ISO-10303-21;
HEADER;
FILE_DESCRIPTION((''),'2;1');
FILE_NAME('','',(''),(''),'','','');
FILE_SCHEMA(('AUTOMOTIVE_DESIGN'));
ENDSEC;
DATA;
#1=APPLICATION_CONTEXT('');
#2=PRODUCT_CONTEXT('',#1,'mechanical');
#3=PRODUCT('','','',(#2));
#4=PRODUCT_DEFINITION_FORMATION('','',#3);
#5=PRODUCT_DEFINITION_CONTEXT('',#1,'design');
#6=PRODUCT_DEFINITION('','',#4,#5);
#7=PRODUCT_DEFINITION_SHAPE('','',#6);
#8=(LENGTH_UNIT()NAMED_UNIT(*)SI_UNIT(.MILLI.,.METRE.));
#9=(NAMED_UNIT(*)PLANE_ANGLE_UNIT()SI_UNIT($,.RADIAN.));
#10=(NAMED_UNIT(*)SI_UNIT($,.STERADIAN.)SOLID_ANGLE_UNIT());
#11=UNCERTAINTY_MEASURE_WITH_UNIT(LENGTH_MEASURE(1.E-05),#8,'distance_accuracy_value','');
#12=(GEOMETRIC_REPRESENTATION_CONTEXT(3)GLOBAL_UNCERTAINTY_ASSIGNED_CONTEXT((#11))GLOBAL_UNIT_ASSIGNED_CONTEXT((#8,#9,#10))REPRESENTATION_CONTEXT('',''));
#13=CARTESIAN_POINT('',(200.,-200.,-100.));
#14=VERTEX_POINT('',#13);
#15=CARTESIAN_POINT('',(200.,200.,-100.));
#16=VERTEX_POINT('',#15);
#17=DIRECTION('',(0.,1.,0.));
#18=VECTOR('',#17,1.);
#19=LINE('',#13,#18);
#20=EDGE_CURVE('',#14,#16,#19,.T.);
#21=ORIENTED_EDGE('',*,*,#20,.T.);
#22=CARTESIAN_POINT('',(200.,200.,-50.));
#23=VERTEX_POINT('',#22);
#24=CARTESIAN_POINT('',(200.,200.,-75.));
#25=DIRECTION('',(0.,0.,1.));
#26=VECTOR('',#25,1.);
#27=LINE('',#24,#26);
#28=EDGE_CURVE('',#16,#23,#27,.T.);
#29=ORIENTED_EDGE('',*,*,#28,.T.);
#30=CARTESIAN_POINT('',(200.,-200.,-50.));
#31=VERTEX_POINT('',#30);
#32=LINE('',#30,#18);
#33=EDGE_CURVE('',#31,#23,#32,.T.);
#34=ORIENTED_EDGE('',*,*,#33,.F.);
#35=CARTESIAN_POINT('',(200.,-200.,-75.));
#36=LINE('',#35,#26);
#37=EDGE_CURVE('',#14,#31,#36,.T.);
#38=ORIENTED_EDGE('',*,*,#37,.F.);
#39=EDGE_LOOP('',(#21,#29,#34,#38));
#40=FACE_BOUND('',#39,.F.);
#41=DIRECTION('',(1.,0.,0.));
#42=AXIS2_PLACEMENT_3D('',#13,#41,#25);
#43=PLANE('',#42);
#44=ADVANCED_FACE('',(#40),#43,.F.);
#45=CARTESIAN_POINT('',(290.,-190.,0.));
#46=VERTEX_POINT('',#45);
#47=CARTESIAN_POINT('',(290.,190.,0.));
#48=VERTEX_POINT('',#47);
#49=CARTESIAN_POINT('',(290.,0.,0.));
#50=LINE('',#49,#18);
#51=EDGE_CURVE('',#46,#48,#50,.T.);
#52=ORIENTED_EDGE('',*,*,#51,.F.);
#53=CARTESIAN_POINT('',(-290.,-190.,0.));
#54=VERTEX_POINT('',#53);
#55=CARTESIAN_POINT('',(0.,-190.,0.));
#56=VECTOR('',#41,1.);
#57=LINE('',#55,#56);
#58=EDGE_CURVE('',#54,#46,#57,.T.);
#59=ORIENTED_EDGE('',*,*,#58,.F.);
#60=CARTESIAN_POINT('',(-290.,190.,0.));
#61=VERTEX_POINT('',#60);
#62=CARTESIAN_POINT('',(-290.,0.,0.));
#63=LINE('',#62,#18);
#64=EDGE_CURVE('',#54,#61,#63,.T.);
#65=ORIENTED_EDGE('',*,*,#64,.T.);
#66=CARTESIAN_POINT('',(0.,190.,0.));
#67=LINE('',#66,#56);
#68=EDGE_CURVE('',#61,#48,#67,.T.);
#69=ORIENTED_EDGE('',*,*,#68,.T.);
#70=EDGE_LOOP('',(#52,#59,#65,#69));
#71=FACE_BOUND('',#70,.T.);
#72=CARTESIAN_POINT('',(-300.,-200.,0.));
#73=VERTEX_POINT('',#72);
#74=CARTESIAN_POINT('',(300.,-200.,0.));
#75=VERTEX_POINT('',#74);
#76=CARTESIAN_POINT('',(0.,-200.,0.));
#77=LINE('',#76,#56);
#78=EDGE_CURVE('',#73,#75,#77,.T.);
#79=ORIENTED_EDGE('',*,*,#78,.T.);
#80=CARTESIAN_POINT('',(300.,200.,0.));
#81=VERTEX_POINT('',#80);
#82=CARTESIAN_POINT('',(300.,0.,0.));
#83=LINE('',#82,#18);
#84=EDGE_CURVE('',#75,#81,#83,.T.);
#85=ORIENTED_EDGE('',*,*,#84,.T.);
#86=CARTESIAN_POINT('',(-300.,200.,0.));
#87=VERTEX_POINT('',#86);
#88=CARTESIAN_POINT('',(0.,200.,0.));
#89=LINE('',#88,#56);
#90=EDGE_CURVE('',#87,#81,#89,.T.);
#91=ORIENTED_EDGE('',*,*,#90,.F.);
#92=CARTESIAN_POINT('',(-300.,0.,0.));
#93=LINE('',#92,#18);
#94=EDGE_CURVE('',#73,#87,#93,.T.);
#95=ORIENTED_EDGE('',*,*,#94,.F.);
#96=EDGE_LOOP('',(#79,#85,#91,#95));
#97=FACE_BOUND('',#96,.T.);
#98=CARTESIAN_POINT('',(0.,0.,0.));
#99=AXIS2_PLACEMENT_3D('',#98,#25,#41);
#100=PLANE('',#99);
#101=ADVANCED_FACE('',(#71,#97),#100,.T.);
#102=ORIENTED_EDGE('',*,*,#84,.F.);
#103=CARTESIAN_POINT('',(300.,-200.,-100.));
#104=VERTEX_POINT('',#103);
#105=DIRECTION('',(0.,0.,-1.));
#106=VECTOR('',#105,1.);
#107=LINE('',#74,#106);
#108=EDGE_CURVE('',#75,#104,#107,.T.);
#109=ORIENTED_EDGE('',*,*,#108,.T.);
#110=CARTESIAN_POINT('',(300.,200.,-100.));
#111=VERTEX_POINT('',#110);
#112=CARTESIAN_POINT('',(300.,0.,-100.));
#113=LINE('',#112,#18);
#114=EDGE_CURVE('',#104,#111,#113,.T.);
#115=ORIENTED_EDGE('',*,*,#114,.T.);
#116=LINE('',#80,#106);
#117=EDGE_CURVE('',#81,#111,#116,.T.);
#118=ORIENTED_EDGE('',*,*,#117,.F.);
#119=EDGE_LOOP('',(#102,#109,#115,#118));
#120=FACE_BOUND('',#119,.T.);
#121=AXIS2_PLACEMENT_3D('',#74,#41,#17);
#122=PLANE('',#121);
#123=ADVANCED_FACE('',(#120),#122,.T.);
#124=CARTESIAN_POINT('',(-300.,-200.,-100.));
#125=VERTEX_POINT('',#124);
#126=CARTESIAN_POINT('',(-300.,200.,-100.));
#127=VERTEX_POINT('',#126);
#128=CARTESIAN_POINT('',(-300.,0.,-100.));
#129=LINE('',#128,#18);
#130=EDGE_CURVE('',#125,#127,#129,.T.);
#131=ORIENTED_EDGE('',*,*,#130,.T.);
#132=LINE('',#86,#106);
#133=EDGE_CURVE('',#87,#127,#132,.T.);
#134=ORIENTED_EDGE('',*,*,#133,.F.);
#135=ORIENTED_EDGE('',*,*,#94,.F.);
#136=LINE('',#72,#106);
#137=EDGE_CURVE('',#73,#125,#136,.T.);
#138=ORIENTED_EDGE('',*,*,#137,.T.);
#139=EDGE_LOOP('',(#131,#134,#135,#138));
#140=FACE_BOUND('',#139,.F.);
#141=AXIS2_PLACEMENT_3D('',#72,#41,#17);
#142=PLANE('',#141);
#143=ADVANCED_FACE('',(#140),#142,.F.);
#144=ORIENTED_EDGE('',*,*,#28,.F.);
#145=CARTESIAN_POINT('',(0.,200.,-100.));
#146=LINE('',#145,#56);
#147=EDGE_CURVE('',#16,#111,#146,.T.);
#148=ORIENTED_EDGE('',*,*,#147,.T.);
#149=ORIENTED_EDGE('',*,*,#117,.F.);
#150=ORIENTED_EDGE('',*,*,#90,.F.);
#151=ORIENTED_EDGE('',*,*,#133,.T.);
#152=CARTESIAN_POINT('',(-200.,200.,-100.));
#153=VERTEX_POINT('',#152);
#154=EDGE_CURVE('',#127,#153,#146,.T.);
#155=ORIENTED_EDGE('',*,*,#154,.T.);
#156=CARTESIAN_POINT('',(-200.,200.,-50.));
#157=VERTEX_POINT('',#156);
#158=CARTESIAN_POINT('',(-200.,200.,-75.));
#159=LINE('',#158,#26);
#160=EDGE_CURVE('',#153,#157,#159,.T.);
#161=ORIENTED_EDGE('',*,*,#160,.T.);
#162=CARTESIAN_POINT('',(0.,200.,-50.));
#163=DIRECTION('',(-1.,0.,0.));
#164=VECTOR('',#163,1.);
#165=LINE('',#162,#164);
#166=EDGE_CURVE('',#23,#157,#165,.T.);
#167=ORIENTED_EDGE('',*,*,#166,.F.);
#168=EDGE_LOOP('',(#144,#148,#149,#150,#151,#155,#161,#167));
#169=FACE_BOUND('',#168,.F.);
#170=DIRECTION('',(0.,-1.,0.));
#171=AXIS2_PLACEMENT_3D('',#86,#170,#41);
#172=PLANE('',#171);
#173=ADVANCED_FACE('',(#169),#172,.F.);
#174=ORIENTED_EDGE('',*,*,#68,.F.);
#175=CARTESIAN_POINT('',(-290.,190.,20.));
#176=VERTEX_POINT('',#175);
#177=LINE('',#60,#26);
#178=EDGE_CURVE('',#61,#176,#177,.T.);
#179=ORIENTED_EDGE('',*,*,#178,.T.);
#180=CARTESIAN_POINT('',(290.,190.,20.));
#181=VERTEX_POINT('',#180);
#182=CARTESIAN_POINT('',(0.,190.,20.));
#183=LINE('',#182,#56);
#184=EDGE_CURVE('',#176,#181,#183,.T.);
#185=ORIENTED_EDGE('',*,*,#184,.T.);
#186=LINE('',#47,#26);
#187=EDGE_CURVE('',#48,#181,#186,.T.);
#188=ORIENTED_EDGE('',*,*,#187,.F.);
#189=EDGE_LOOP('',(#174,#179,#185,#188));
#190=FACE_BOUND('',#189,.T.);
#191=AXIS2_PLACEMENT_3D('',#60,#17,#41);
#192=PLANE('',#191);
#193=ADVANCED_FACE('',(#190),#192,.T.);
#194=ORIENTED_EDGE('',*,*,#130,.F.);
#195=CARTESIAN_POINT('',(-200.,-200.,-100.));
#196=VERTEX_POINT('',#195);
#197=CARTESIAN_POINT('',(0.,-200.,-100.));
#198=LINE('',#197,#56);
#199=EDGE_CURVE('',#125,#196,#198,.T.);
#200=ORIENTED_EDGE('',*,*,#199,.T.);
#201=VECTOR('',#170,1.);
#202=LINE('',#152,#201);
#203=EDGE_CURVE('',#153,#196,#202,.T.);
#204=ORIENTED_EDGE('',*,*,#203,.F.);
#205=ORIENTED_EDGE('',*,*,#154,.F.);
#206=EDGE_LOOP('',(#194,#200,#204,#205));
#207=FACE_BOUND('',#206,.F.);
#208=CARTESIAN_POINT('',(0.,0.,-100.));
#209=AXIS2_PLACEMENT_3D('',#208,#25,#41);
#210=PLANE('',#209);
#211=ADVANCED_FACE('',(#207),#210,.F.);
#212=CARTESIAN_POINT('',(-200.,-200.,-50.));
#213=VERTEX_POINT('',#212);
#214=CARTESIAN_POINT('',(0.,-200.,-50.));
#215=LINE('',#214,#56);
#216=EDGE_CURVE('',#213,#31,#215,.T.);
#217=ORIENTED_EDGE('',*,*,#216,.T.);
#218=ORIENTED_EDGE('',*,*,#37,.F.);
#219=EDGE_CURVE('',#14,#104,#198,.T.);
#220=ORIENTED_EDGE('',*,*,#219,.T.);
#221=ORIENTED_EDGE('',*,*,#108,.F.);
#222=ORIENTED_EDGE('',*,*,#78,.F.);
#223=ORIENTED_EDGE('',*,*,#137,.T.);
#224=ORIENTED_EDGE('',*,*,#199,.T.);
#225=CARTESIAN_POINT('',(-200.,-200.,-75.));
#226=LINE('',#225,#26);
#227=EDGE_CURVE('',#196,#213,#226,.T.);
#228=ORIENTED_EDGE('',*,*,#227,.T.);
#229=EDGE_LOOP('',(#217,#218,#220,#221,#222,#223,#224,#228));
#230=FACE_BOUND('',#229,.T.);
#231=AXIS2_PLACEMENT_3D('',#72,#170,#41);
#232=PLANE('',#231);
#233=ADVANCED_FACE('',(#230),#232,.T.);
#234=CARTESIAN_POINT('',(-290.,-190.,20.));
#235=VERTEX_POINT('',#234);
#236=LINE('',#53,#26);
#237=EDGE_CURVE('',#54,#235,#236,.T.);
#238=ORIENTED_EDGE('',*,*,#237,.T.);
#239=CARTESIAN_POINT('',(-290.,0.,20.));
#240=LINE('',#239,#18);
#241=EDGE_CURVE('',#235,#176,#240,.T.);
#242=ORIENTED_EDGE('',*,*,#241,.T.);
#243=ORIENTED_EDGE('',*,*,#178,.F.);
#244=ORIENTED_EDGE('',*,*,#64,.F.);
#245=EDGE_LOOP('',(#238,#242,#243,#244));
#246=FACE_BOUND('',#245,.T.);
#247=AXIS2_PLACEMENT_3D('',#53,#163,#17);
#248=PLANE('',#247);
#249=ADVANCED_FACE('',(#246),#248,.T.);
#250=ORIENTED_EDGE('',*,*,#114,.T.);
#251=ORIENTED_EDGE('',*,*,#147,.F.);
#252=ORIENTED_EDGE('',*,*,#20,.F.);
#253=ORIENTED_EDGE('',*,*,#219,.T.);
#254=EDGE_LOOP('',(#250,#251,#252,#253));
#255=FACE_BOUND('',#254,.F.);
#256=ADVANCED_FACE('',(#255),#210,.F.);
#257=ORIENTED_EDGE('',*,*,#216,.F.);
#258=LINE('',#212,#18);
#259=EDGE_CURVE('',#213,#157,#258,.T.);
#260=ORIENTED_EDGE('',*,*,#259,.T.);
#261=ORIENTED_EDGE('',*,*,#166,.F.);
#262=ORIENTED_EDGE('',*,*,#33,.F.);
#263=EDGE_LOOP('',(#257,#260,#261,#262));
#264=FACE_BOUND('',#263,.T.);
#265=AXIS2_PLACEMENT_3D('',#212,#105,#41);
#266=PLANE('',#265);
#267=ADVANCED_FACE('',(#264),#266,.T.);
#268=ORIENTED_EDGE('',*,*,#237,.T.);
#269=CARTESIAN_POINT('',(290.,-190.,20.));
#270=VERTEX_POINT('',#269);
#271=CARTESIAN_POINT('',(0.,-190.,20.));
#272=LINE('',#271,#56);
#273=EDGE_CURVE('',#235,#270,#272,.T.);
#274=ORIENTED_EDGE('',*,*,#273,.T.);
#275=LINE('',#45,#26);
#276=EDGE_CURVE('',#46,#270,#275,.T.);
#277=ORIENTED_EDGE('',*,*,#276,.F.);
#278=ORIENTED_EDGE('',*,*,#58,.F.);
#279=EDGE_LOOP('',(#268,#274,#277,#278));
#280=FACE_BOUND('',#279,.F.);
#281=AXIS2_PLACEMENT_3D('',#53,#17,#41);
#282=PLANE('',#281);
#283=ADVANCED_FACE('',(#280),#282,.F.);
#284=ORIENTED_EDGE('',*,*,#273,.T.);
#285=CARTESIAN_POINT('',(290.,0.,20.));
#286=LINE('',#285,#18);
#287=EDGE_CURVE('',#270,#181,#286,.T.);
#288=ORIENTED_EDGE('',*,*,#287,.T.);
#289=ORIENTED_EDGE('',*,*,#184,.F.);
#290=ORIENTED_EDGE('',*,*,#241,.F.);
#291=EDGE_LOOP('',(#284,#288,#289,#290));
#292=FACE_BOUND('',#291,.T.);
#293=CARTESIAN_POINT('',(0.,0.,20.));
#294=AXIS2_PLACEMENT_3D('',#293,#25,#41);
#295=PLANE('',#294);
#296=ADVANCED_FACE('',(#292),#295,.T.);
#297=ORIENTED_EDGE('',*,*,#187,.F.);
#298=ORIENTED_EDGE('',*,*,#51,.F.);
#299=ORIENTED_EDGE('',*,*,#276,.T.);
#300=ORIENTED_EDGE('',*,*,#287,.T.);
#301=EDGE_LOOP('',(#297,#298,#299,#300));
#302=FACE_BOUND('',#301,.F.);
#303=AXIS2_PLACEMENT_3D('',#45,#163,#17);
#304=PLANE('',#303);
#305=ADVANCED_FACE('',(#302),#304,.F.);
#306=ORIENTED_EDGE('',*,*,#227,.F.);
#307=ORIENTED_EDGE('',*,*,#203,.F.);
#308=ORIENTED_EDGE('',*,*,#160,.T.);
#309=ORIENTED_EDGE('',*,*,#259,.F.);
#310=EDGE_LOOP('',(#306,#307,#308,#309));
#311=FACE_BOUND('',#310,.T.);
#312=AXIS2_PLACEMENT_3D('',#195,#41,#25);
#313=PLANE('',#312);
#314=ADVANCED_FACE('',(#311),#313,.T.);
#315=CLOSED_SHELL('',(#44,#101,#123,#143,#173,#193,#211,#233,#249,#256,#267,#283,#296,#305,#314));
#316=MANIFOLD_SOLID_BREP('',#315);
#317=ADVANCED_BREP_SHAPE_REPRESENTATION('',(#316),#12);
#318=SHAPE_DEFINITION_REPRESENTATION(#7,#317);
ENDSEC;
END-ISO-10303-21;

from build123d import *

# Parameters (mm, degrees)
F0_W      = 600
F0_H      = 400
F1_DEPTH  = 100
F2_W      = 580
F2_H      = 380
F3_DEPTH  = 80
F4_W      = 400
F4_H      = 50
F5_DEPTH  = 25
F6_W      = 400
F6_H      = 50
F7_DEPTH  = 25
F8_W      = 580
F8_H      = 380
F9_DEPTH  = 20
F10_DEPTH = 400


with BuildPart() as f1:
    # F0 (on Top) → F1 (new body)
    with BuildSketch(Plane.XY):
        Rectangle(F0_W, F0_H)
    extrude(amount=-F1_DEPTH)

    # F2 (on face) → F3 (cut)
    with BuildSketch(Plane(origin=(0, 0, -100), x_dir=(1, 0, 0), z_dir=(0, 0, -1))):
        Rectangle(F2_W, F2_H)
    extrude(amount=-F3_DEPTH, mode=Mode.SUBTRACT)

    # F4 (on face) → F5 (cut)
    with BuildSketch(Plane.XZ.offset(200)):
        with Locations((0, -75)):
            Rectangle(F4_W, F4_H)
    extrude(amount=-F5_DEPTH, mode=Mode.SUBTRACT)

    # F6 (on face) → F7 (cut)
    with BuildSketch(Plane(origin=(0, 200, 0), x_dir=(-1, 0, 0), z_dir=(0, 1, 0))):
        with Locations((0, -75)):
            Rectangle(F6_W, F6_H)
    extrude(amount=-F7_DEPTH, mode=Mode.SUBTRACT)

    # F8 (on face) → F9 (join)
    with BuildSketch(Plane.XY):
        Rectangle(F8_W, F8_H)
    extrude(amount=F9_DEPTH)

    # F10 (add): a face of the model
    f10_faces = [f1.faces().sort_by_distance(p)[0] for p in [
        (0, -200, -37.5),
    ]]
    extrude(f10_faces, amount=-F10_DEPTH)


solid = f1.part
